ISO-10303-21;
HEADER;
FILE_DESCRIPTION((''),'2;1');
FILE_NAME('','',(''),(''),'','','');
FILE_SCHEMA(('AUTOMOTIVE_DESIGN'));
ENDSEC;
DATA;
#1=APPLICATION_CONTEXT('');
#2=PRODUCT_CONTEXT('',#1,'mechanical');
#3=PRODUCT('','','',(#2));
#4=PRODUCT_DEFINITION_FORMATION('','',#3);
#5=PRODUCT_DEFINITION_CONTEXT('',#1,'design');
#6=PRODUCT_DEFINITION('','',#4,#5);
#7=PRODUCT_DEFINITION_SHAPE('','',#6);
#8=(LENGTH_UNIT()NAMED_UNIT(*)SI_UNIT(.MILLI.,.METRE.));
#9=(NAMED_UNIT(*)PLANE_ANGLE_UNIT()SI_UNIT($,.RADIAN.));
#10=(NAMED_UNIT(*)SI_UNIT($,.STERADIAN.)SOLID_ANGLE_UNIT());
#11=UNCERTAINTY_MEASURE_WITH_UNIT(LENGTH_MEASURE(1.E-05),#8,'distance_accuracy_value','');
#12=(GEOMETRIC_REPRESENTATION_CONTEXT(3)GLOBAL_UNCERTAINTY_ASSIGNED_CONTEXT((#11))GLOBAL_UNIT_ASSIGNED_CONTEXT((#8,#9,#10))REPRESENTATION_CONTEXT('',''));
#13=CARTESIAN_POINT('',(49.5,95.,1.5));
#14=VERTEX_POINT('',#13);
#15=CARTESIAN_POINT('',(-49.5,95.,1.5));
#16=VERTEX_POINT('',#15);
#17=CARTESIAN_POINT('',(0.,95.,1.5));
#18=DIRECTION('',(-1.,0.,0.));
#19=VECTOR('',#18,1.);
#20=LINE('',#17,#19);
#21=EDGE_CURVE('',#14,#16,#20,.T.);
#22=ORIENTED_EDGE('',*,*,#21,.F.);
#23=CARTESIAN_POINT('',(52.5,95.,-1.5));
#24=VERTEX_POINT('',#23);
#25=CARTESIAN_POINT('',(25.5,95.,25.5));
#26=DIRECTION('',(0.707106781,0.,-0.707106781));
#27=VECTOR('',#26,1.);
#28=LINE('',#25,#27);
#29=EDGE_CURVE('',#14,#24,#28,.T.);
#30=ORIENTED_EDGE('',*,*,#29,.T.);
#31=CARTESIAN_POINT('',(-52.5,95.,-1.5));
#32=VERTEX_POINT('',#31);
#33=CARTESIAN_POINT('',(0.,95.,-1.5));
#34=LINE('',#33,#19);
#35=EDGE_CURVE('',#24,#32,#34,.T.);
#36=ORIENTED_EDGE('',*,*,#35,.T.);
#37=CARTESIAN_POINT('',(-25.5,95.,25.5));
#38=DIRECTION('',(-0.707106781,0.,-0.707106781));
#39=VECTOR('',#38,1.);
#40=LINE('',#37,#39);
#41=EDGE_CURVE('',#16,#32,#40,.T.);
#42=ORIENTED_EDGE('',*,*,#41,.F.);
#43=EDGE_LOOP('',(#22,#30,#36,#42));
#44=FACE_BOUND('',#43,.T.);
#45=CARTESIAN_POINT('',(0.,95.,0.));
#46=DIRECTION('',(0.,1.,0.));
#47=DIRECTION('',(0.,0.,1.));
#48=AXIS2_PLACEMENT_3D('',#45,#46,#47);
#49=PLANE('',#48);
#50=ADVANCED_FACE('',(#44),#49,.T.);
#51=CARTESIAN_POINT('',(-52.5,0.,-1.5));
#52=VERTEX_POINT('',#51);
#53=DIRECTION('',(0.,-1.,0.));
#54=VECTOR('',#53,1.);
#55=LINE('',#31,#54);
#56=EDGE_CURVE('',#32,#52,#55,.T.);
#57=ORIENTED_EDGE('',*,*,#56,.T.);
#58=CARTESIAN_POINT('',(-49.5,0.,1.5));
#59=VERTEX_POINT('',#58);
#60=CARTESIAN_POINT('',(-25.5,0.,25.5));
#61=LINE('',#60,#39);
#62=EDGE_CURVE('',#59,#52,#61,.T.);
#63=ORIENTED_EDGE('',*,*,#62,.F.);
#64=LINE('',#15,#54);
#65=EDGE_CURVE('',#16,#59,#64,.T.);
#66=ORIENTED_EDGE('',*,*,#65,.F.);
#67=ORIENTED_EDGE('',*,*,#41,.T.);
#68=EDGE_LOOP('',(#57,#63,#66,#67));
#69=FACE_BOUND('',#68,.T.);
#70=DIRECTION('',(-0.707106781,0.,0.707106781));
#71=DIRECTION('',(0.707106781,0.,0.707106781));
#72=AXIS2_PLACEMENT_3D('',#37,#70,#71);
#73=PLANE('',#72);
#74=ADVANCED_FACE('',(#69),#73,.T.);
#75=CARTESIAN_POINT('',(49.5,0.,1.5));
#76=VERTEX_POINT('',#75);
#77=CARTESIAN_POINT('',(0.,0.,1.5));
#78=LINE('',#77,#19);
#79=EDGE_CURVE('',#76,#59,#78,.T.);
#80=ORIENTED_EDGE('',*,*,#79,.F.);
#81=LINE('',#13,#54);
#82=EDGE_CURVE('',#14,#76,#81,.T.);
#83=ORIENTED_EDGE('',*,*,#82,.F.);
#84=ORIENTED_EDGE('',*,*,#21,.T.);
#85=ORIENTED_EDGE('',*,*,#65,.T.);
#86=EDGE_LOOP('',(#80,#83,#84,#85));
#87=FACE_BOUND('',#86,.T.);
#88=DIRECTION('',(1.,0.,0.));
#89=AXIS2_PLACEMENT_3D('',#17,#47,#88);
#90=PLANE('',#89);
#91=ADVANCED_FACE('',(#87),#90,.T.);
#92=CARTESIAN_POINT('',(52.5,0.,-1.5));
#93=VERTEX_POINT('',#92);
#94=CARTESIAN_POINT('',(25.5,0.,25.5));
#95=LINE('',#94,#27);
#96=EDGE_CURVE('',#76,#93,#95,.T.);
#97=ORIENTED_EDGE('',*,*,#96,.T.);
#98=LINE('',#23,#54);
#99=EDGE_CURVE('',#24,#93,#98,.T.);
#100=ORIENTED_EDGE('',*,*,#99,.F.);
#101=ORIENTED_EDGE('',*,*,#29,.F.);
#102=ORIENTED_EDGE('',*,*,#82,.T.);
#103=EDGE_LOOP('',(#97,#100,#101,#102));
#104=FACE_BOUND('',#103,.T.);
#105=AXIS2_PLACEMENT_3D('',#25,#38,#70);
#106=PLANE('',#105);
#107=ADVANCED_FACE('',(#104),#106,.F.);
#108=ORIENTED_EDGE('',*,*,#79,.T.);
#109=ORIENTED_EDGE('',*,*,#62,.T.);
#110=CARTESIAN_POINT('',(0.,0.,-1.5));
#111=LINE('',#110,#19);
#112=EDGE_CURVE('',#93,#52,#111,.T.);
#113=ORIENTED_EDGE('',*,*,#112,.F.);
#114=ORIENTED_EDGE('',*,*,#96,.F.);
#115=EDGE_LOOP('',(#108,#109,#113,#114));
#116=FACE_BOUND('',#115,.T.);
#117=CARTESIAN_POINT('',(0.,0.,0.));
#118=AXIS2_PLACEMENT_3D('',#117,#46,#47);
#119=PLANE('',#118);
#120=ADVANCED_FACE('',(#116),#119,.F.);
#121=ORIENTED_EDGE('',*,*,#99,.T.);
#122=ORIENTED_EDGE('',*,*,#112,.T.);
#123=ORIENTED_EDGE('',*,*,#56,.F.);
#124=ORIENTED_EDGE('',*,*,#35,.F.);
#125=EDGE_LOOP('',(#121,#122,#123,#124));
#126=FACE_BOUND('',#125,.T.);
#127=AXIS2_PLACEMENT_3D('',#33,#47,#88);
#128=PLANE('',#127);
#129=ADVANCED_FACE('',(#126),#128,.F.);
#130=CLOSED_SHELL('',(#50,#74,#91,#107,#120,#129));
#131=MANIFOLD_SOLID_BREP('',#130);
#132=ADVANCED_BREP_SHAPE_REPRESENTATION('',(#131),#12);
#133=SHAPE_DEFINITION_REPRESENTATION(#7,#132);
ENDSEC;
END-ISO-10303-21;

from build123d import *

# Parameters (mm, degrees)
BOSS_EXTRUDE1_DEPTH = 95


with BuildPart() as part:
    # Sketch1 → Boss-Extrude1 (new body)
    with BuildSketch(Plane(origin=(0, 0, 0), x_dir=(1, 0, 0), z_dir=(0, 1, 0))):
        Polygon((52.5, 1.5), (-52.5, 1.5), (-49.5, -1.5), (49.5, -1.5), align=None)
    extrude(amount=BOSS_EXTRUDE1_DEPTH)


solid = part.part
